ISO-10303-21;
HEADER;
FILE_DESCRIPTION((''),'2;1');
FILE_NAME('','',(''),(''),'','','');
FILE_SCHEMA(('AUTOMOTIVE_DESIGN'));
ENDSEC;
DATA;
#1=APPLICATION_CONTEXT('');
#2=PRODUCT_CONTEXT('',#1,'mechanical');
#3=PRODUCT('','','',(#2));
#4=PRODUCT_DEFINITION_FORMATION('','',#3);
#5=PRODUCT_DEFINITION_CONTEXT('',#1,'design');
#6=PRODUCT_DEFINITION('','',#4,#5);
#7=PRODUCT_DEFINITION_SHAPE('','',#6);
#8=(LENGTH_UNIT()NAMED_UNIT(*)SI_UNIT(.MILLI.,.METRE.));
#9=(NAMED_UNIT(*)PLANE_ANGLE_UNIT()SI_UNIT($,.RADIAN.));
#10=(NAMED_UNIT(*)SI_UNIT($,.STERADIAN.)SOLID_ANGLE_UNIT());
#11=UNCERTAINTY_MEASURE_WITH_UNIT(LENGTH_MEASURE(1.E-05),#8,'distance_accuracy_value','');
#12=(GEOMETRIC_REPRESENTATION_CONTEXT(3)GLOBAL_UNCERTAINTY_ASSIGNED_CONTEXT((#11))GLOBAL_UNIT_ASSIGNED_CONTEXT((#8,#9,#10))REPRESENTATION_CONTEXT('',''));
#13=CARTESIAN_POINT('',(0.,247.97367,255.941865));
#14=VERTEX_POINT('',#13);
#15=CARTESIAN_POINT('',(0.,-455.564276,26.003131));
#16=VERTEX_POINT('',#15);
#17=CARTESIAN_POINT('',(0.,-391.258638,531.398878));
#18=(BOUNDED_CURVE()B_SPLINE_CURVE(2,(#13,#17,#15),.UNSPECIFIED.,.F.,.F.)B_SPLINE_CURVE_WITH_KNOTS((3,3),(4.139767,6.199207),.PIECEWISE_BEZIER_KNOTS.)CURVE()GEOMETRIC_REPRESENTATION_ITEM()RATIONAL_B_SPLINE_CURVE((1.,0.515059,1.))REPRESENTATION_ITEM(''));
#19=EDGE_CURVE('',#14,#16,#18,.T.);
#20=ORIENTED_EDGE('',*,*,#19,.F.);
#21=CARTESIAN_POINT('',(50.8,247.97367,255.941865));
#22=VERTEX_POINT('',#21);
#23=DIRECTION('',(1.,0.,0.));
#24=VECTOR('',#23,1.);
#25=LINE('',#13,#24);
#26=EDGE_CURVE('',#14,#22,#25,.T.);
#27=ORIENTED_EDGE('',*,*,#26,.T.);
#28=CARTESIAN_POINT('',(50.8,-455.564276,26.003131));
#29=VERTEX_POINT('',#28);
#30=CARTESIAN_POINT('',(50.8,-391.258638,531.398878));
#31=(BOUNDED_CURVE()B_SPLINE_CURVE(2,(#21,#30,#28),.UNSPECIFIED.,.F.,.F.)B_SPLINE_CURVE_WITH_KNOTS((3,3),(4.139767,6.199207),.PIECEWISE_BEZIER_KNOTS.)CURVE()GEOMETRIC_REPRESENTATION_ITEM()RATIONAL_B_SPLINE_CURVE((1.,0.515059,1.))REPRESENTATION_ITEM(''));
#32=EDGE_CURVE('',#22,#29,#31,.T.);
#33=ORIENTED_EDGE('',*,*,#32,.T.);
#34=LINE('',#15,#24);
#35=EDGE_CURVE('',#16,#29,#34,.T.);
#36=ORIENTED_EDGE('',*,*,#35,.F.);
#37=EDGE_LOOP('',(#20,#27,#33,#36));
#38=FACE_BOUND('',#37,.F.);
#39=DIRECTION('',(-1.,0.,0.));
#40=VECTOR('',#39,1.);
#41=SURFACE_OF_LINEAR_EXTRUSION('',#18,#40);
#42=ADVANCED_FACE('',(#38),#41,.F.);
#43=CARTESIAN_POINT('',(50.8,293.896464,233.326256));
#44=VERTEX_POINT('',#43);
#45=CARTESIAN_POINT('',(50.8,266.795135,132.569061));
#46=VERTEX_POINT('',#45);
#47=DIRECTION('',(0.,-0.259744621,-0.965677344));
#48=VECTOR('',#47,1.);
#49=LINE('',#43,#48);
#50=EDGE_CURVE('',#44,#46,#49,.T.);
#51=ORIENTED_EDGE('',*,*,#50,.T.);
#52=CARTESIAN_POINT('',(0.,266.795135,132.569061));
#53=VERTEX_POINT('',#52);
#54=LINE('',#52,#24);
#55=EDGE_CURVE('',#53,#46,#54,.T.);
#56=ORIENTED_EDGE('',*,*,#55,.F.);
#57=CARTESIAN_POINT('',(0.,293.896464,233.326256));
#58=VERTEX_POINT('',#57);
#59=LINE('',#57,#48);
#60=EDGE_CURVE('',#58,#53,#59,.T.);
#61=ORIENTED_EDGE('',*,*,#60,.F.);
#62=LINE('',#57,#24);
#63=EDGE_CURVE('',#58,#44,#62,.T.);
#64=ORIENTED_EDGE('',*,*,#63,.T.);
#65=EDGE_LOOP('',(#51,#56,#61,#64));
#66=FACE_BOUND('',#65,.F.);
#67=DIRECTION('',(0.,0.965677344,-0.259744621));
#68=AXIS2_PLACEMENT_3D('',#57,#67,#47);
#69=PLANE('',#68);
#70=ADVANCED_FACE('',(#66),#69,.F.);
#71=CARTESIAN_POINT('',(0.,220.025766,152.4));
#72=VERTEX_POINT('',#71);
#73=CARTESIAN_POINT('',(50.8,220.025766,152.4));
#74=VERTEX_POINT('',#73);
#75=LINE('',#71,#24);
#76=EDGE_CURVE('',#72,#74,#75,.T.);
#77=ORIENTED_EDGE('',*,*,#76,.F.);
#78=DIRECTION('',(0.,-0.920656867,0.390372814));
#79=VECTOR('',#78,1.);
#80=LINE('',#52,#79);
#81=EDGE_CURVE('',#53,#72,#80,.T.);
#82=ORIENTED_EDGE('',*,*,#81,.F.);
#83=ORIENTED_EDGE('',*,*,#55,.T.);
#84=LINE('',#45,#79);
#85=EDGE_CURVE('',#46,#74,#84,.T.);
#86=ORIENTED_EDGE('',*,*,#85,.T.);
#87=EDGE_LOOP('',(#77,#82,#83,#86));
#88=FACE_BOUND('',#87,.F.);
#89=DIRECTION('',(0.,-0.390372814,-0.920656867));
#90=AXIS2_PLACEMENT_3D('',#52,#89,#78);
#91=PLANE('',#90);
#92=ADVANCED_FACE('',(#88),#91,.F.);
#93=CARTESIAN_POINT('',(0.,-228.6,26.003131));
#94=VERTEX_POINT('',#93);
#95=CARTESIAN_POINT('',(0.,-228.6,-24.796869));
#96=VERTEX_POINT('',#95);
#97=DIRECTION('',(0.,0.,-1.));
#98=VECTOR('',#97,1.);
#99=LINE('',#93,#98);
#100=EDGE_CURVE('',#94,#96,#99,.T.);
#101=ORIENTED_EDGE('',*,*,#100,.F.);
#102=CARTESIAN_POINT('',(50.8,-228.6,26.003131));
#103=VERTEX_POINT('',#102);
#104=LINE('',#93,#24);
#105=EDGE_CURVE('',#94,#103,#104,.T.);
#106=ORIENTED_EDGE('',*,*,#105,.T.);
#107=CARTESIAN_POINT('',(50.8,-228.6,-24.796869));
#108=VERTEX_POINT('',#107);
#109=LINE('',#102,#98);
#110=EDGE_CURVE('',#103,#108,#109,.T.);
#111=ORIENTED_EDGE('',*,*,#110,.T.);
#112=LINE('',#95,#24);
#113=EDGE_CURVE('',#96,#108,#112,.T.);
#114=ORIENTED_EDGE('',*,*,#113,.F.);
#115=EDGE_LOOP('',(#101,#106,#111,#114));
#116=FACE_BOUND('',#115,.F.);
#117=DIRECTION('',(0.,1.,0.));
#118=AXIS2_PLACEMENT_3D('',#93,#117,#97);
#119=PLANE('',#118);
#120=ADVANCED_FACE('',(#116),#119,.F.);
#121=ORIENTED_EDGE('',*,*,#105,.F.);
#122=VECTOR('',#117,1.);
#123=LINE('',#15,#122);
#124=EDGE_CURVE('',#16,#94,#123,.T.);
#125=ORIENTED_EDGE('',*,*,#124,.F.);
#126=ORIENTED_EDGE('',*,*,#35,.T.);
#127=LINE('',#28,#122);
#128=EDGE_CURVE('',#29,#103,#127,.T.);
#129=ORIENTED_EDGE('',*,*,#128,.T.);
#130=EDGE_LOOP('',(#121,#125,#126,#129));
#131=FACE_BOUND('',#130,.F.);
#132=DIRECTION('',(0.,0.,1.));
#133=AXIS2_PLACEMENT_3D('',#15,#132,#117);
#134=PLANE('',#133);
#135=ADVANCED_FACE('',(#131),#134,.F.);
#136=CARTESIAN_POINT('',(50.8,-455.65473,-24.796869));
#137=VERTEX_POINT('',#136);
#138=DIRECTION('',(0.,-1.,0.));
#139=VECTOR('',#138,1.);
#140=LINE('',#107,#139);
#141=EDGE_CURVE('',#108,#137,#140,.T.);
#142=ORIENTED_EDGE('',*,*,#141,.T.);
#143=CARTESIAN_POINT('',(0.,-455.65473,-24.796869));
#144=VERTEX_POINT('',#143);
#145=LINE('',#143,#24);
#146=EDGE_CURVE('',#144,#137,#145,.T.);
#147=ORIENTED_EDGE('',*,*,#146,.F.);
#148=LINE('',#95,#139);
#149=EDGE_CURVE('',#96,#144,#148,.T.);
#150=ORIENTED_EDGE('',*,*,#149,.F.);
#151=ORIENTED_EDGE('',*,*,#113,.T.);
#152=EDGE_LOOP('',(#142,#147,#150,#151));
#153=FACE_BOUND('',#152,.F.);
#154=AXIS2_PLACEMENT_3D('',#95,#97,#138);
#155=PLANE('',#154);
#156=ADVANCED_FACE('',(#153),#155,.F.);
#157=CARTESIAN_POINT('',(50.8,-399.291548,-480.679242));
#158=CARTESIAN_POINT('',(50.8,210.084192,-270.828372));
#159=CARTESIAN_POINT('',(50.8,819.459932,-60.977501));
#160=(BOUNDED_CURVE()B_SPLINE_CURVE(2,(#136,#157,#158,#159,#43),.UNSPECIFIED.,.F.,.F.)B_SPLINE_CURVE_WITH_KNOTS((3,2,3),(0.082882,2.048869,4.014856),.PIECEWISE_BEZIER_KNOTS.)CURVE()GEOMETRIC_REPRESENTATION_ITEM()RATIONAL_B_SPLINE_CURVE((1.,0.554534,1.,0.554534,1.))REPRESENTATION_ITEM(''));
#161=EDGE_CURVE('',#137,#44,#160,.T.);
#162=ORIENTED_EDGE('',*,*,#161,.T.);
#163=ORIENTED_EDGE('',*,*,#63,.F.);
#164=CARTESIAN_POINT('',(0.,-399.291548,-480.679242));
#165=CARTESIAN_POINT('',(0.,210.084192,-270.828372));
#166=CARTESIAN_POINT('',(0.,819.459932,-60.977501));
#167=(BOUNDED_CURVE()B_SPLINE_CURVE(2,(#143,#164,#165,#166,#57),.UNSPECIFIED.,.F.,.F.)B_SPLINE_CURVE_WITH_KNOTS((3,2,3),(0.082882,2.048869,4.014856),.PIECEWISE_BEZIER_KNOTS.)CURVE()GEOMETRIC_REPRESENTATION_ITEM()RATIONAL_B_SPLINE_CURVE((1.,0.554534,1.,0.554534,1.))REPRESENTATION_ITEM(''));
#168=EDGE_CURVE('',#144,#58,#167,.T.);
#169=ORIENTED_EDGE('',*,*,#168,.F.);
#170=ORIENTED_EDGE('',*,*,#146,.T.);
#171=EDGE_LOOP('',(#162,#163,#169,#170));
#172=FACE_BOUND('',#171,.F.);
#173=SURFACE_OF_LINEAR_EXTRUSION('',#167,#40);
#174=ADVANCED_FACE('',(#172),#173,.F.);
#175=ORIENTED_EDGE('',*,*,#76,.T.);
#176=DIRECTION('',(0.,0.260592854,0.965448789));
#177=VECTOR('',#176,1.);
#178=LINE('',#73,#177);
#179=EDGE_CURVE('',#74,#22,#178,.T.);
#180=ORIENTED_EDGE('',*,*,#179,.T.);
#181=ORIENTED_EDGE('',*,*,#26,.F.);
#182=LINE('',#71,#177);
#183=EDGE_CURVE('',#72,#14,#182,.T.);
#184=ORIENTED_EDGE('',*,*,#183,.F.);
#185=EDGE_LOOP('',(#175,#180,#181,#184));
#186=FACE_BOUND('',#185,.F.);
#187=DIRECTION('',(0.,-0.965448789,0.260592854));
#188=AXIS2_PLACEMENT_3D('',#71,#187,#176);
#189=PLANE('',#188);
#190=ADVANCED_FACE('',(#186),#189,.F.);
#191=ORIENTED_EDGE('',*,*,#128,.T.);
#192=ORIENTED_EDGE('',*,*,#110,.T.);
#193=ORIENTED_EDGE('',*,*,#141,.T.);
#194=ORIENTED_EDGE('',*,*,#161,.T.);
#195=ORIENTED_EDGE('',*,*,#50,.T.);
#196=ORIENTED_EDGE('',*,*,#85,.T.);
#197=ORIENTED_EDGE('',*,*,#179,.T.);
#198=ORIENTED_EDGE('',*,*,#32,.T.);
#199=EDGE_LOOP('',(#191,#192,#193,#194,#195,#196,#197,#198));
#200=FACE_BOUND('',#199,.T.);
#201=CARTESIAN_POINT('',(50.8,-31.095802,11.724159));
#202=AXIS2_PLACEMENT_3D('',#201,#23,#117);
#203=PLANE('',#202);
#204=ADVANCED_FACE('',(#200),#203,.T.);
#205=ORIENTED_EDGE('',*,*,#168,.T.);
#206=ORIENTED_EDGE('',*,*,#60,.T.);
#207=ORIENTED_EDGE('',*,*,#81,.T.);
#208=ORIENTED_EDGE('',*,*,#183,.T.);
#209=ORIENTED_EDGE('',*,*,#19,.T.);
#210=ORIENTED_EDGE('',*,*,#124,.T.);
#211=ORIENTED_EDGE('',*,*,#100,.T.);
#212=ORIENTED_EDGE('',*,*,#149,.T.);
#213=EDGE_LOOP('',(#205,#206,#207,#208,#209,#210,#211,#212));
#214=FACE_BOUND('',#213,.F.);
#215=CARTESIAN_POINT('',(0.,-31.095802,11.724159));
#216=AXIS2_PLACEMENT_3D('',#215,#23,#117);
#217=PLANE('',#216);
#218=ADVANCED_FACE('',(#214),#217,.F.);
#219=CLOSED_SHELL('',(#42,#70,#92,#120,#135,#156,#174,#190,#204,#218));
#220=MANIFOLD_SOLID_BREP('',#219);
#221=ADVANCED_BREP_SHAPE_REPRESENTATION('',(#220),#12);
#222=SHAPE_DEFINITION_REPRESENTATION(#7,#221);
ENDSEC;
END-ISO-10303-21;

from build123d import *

# Parameters (mm, degrees)
PAD_DEPTH = 50.8


with BuildPart() as part:
    # Sketch → Pad (new body)
    with BuildSketch(Plane.YZ):
        with BuildLine():
            Line((-228.6, -24.796869), (-455.65473, -24.796869))
            add(Edge.make_bspline(
                [(-455.65473, -24.796869), (-399.291548, -480.679242), (210.084192, -270.828372), (819.459932, -60.977501), (293.896464, 233.326256)],
                knots=[0.082882, 0.082882, 0.082882, 2.048869, 2.048869, 4.014856, 4.014856, 4.014856], degree=2, weights=[1, 0.554534, 1, 0.554534, 1]))
            Line((293.896464, 233.326256), (266.795135, 132.569061))
            Line((266.795135, 132.569061), (220.025766, 152.4))
            Line((220.025766, 152.4), (247.97367, 255.941865))
            add(Edge.make_bspline(
                [(247.97367, 255.941865), (-391.258638, 531.398878), (-455.564276, 26.003131)],
                knots=[4.139767, 4.139767, 4.139767, 6.199207, 6.199207, 6.199207], degree=2, weights=[1, 0.515059, 1]))
            Line((-455.564276, 26.003131), (-228.6, 26.003131))
            Line((-228.6, 26.003131), (-228.6, -24.796869))
        make_face()
    extrude(amount=PAD_DEPTH)


solid = part.part
